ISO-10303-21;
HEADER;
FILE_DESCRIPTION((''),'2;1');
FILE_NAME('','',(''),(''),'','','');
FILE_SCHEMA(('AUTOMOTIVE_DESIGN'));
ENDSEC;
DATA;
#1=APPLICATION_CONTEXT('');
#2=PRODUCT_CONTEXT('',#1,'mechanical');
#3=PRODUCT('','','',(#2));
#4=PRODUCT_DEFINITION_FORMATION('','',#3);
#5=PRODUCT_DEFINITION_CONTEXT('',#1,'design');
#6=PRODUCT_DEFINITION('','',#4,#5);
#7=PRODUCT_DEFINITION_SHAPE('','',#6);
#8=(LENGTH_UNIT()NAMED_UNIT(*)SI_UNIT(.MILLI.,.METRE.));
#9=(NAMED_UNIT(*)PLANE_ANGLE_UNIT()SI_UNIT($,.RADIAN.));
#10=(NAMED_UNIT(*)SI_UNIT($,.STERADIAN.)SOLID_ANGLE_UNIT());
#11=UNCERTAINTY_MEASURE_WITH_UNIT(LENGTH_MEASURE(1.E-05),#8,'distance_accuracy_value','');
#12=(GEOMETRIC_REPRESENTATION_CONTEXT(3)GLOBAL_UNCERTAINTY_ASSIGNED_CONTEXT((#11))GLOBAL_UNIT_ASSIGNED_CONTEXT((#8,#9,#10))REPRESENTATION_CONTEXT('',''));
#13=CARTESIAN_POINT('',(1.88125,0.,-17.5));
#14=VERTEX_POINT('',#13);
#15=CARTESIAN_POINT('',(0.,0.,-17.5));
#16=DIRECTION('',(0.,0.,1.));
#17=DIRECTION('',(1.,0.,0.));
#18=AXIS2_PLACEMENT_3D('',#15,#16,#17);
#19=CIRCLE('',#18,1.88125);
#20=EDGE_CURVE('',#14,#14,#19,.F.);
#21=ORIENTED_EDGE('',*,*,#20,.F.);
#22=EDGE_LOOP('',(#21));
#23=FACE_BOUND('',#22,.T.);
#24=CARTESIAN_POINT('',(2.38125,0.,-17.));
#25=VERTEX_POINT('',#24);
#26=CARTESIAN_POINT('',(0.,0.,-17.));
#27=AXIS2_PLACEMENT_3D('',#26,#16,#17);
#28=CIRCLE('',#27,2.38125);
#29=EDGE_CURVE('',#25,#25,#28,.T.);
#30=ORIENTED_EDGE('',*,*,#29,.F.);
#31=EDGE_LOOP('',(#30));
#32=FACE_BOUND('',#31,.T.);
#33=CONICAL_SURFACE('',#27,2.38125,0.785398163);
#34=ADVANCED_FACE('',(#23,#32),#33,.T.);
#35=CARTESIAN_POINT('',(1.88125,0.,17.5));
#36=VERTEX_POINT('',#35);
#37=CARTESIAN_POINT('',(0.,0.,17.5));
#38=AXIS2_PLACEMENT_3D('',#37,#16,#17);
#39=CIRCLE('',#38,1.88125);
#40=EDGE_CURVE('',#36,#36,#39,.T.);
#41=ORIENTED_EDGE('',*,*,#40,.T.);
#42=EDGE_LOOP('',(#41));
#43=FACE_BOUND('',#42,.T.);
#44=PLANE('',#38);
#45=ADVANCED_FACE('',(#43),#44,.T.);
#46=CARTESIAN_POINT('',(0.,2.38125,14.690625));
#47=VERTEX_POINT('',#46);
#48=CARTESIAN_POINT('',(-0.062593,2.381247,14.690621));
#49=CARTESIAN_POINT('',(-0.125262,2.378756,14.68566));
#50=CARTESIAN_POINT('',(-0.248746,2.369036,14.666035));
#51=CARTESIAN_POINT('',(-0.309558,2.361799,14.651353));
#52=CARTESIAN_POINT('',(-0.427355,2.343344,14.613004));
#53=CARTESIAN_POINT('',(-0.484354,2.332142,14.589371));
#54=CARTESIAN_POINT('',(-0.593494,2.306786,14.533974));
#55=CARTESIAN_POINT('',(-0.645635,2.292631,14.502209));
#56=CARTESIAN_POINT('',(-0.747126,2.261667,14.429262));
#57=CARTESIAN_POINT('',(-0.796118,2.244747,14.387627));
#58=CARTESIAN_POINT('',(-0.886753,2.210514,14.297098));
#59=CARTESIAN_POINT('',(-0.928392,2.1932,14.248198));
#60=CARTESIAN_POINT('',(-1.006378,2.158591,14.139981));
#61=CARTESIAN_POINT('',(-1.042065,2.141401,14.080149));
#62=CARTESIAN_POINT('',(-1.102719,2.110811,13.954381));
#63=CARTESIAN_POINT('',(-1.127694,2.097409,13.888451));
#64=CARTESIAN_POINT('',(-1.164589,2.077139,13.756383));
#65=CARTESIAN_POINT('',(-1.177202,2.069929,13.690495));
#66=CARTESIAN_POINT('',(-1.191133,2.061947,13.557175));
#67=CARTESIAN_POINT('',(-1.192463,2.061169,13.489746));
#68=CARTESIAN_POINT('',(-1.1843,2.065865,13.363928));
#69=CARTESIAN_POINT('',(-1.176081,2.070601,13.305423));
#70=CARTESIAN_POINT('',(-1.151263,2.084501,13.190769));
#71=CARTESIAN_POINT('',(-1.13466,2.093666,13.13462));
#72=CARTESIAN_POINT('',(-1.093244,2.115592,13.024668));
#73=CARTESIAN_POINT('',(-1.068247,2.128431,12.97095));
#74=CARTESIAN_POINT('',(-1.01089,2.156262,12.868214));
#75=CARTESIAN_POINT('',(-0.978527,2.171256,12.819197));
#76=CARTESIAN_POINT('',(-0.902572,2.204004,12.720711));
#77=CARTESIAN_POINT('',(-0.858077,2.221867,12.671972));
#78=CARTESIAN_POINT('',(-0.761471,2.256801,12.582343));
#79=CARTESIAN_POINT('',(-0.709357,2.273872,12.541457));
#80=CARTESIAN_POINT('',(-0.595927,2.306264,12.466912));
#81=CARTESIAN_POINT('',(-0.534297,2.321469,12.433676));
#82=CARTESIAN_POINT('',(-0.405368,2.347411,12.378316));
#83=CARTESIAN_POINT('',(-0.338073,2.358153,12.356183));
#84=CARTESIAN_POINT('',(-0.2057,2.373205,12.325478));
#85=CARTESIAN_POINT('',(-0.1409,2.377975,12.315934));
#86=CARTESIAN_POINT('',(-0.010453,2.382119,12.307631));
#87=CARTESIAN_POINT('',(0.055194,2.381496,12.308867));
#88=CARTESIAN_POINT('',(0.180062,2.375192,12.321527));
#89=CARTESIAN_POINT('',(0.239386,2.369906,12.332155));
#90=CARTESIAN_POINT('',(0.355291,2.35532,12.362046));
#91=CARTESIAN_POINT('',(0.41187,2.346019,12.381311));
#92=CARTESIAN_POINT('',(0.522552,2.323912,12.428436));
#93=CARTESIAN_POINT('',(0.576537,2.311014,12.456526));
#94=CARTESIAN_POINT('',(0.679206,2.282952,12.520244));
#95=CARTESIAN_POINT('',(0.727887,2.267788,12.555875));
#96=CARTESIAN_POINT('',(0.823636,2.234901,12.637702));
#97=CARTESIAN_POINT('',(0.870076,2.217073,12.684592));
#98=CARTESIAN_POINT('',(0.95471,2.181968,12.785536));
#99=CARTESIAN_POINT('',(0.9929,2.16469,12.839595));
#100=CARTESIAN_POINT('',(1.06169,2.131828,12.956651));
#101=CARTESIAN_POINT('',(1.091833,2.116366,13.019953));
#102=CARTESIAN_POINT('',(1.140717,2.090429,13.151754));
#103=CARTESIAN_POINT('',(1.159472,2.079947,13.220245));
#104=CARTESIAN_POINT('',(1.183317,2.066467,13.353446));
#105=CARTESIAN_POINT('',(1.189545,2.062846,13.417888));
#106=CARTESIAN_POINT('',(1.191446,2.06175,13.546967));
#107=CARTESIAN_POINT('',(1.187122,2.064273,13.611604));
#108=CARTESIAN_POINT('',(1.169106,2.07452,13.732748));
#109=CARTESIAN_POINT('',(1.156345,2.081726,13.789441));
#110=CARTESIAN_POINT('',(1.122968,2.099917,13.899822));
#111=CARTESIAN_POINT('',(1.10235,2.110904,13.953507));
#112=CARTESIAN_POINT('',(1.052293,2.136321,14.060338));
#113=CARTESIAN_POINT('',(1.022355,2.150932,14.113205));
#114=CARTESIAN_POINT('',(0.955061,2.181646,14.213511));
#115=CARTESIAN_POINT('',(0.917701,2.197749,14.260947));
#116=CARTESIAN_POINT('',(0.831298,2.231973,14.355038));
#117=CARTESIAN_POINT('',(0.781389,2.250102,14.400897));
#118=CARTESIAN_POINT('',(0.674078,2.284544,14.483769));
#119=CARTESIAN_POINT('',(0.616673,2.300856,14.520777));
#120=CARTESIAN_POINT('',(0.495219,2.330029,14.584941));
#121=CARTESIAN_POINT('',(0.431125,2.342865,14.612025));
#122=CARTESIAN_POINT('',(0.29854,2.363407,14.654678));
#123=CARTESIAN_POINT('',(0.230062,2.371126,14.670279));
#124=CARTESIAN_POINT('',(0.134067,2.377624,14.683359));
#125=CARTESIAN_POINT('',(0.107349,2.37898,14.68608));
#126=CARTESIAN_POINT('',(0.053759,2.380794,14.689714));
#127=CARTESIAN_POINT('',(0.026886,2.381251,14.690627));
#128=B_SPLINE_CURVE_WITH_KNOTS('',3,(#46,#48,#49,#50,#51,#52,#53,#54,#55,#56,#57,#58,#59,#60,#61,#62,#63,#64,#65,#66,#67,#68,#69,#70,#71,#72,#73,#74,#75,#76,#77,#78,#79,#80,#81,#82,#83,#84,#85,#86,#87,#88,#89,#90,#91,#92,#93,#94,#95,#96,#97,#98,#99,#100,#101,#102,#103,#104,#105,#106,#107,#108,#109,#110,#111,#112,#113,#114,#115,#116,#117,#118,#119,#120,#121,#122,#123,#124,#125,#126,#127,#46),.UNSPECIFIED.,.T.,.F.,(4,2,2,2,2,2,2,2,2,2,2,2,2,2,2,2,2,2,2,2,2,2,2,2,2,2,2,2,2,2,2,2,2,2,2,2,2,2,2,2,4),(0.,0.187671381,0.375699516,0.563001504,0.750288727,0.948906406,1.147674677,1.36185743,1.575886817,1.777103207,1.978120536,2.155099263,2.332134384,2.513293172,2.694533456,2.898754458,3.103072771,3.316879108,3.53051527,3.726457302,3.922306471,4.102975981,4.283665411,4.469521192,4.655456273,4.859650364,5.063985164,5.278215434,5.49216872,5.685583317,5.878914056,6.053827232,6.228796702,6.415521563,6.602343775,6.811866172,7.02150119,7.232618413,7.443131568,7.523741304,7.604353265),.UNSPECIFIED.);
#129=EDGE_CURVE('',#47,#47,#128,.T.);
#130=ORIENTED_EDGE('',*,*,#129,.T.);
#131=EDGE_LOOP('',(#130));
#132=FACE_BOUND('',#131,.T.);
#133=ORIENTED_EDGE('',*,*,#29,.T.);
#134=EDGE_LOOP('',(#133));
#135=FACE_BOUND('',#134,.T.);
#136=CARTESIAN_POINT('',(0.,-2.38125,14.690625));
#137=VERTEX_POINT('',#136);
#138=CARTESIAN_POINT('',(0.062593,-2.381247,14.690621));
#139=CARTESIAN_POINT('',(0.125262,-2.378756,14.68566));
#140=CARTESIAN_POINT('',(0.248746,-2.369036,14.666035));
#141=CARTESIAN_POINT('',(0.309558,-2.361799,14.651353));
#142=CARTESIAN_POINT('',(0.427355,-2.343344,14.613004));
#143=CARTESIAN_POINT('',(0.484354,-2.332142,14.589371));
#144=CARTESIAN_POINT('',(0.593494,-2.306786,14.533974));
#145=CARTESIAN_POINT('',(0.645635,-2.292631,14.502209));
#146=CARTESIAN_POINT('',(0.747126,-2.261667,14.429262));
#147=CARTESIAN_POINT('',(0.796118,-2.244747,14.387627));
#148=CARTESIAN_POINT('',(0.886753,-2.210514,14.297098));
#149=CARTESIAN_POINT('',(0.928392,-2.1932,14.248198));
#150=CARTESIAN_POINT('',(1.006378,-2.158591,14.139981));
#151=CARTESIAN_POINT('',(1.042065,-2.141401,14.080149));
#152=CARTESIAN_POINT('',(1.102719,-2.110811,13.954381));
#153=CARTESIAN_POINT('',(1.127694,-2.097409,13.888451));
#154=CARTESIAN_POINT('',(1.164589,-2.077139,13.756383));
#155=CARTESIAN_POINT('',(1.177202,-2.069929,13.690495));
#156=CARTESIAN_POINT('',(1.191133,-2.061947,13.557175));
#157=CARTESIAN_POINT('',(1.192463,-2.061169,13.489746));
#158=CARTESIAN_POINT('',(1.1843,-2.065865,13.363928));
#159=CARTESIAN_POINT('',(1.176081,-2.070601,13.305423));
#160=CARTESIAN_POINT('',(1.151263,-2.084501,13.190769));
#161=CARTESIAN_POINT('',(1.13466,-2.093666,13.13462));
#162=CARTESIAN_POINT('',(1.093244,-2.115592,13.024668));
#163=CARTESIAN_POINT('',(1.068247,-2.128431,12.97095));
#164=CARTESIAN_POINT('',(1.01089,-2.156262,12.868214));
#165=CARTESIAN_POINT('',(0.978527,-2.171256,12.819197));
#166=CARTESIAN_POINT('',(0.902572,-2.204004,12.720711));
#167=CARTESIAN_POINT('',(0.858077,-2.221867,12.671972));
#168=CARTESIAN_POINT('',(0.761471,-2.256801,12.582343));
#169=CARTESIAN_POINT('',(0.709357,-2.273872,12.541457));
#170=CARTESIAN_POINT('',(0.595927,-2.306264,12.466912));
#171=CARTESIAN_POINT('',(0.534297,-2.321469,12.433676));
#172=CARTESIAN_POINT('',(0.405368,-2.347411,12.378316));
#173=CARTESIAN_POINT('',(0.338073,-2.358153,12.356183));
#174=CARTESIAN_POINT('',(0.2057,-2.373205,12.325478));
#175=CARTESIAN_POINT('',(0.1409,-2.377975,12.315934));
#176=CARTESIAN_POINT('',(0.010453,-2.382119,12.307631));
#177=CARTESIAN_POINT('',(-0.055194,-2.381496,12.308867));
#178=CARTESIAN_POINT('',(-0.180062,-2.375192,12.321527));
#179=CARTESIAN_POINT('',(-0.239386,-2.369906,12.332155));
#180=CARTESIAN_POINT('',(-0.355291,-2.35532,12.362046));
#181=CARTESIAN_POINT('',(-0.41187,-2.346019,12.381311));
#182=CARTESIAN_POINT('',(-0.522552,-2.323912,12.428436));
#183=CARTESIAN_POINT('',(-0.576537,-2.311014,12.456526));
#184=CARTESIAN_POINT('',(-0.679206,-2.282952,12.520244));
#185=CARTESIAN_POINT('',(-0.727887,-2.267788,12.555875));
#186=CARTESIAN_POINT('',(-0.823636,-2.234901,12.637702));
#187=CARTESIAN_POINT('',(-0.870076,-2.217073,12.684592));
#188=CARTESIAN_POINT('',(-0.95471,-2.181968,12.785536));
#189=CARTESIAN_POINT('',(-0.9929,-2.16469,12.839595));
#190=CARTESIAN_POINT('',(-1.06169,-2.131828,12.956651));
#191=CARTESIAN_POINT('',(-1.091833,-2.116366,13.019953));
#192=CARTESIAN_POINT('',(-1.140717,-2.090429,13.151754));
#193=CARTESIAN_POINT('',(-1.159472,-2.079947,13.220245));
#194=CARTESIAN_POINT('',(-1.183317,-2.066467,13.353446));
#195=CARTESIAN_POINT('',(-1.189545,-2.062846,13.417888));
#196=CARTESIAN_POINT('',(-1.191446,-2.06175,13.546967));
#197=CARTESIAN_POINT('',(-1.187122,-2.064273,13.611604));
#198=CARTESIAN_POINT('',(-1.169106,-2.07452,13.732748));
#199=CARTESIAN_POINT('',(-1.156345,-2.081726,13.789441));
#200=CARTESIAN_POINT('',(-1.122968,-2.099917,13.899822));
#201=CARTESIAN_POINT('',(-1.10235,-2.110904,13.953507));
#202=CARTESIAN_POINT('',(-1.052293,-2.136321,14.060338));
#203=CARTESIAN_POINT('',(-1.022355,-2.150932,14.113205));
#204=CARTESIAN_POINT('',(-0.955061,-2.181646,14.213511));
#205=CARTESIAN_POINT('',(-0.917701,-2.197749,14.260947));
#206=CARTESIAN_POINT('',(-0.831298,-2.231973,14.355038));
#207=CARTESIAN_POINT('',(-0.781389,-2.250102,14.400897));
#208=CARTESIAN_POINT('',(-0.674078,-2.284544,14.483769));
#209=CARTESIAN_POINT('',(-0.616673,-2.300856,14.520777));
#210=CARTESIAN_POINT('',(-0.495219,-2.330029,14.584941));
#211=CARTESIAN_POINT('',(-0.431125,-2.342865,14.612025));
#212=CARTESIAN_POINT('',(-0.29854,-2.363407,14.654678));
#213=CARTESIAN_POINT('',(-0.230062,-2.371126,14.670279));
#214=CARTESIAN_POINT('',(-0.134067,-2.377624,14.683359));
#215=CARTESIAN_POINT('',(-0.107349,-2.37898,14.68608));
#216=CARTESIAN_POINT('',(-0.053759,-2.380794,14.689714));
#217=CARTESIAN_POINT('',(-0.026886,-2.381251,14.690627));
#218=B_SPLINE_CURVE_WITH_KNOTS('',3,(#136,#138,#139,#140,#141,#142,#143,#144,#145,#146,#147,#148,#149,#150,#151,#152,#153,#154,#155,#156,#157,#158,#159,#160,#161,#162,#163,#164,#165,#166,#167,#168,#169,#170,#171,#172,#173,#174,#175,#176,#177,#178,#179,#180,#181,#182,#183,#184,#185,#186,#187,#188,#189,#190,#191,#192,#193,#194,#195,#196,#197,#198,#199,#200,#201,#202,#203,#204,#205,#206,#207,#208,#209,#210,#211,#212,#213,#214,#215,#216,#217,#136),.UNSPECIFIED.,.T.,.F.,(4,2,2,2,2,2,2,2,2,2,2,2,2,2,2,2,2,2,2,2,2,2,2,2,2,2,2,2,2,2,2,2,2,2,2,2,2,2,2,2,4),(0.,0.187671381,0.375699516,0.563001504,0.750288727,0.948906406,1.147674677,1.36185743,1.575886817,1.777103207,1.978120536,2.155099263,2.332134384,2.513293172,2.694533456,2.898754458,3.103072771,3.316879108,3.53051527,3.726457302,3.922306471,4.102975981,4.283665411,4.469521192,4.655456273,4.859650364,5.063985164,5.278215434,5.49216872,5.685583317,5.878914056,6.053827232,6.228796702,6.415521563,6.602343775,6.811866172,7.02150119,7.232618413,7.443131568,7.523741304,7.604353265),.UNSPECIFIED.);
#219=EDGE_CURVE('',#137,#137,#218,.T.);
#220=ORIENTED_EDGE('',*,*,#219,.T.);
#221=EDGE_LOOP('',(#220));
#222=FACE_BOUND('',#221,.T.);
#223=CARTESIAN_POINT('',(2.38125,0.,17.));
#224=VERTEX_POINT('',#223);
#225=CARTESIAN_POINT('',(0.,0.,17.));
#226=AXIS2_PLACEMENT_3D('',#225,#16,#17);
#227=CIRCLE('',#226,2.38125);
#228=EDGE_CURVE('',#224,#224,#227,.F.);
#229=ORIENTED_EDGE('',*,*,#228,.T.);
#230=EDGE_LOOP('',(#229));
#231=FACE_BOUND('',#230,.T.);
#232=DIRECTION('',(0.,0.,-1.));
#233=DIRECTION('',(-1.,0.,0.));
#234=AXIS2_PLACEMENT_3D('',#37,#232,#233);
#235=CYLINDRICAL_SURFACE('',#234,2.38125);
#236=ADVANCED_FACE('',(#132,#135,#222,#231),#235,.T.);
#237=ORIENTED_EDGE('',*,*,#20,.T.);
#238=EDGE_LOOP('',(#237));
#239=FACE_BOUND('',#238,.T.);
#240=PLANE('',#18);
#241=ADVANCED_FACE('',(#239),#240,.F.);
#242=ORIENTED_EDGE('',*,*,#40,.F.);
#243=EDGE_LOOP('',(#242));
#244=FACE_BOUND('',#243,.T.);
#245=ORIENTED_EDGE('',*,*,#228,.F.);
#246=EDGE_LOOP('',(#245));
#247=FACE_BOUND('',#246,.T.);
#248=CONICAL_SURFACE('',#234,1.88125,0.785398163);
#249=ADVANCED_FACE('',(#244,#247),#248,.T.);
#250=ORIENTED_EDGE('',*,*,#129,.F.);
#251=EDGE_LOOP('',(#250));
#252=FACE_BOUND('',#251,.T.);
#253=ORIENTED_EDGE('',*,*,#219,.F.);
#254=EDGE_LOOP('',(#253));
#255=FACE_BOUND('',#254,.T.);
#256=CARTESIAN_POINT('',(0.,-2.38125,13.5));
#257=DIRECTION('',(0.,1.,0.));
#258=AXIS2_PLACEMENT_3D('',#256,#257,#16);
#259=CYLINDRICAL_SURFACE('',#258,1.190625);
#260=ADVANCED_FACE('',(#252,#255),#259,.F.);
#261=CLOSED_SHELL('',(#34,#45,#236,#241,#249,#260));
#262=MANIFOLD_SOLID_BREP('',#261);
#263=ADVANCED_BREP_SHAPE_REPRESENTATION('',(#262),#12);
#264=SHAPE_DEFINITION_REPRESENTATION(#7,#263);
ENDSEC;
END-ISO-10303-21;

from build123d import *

# Parameters (mm, degrees)
SKETCH1_R               = 2.38125
BOSS_EXTRUDE1_DEPTH     = 17.5
SKETCH2_R               = 1.190625
CUT_EXTRUDE2_DEPTH      = 3.38125
CUT_EXTRUDE2_DEPTH_BACK = 3.38125
CHAMFER1_SIZE           = 0.5


with BuildPart() as part:
    # Sketch1 → Boss-Extrude1 (new body, symmetric)
    with BuildSketch(Plane.XY):
        Circle(SKETCH1_R)
    extrude(amount=BOSS_EXTRUDE1_DEPTH, both=True)

    # Sketch2 → Cut-Extrude2 (cut, two sides)
    with BuildSketch(Plane(origin=(0, 0, 0), x_dir=(1, 0, 0), z_dir=(0, 1, 0))) as cut_extrude2_sk:
        with Locations((0, -13.5)):
            Circle(SKETCH2_R)
    extrude(amount=CUT_EXTRUDE2_DEPTH, mode=Mode.SUBTRACT)
    extrude(cut_extrude2_sk.sketch, amount=-CUT_EXTRUDE2_DEPTH_BACK, mode=Mode.SUBTRACT)

    # Chamfer1
    chamfer1_edges = [part.edges().sort_by_distance(p)[0] for p in [
        (-2.38125, 0, -17.5),
        (-2.38125, 0, 17.5),
    ]]
    chamfer(chamfer1_edges, length=CHAMFER1_SIZE)


solid = part.part
